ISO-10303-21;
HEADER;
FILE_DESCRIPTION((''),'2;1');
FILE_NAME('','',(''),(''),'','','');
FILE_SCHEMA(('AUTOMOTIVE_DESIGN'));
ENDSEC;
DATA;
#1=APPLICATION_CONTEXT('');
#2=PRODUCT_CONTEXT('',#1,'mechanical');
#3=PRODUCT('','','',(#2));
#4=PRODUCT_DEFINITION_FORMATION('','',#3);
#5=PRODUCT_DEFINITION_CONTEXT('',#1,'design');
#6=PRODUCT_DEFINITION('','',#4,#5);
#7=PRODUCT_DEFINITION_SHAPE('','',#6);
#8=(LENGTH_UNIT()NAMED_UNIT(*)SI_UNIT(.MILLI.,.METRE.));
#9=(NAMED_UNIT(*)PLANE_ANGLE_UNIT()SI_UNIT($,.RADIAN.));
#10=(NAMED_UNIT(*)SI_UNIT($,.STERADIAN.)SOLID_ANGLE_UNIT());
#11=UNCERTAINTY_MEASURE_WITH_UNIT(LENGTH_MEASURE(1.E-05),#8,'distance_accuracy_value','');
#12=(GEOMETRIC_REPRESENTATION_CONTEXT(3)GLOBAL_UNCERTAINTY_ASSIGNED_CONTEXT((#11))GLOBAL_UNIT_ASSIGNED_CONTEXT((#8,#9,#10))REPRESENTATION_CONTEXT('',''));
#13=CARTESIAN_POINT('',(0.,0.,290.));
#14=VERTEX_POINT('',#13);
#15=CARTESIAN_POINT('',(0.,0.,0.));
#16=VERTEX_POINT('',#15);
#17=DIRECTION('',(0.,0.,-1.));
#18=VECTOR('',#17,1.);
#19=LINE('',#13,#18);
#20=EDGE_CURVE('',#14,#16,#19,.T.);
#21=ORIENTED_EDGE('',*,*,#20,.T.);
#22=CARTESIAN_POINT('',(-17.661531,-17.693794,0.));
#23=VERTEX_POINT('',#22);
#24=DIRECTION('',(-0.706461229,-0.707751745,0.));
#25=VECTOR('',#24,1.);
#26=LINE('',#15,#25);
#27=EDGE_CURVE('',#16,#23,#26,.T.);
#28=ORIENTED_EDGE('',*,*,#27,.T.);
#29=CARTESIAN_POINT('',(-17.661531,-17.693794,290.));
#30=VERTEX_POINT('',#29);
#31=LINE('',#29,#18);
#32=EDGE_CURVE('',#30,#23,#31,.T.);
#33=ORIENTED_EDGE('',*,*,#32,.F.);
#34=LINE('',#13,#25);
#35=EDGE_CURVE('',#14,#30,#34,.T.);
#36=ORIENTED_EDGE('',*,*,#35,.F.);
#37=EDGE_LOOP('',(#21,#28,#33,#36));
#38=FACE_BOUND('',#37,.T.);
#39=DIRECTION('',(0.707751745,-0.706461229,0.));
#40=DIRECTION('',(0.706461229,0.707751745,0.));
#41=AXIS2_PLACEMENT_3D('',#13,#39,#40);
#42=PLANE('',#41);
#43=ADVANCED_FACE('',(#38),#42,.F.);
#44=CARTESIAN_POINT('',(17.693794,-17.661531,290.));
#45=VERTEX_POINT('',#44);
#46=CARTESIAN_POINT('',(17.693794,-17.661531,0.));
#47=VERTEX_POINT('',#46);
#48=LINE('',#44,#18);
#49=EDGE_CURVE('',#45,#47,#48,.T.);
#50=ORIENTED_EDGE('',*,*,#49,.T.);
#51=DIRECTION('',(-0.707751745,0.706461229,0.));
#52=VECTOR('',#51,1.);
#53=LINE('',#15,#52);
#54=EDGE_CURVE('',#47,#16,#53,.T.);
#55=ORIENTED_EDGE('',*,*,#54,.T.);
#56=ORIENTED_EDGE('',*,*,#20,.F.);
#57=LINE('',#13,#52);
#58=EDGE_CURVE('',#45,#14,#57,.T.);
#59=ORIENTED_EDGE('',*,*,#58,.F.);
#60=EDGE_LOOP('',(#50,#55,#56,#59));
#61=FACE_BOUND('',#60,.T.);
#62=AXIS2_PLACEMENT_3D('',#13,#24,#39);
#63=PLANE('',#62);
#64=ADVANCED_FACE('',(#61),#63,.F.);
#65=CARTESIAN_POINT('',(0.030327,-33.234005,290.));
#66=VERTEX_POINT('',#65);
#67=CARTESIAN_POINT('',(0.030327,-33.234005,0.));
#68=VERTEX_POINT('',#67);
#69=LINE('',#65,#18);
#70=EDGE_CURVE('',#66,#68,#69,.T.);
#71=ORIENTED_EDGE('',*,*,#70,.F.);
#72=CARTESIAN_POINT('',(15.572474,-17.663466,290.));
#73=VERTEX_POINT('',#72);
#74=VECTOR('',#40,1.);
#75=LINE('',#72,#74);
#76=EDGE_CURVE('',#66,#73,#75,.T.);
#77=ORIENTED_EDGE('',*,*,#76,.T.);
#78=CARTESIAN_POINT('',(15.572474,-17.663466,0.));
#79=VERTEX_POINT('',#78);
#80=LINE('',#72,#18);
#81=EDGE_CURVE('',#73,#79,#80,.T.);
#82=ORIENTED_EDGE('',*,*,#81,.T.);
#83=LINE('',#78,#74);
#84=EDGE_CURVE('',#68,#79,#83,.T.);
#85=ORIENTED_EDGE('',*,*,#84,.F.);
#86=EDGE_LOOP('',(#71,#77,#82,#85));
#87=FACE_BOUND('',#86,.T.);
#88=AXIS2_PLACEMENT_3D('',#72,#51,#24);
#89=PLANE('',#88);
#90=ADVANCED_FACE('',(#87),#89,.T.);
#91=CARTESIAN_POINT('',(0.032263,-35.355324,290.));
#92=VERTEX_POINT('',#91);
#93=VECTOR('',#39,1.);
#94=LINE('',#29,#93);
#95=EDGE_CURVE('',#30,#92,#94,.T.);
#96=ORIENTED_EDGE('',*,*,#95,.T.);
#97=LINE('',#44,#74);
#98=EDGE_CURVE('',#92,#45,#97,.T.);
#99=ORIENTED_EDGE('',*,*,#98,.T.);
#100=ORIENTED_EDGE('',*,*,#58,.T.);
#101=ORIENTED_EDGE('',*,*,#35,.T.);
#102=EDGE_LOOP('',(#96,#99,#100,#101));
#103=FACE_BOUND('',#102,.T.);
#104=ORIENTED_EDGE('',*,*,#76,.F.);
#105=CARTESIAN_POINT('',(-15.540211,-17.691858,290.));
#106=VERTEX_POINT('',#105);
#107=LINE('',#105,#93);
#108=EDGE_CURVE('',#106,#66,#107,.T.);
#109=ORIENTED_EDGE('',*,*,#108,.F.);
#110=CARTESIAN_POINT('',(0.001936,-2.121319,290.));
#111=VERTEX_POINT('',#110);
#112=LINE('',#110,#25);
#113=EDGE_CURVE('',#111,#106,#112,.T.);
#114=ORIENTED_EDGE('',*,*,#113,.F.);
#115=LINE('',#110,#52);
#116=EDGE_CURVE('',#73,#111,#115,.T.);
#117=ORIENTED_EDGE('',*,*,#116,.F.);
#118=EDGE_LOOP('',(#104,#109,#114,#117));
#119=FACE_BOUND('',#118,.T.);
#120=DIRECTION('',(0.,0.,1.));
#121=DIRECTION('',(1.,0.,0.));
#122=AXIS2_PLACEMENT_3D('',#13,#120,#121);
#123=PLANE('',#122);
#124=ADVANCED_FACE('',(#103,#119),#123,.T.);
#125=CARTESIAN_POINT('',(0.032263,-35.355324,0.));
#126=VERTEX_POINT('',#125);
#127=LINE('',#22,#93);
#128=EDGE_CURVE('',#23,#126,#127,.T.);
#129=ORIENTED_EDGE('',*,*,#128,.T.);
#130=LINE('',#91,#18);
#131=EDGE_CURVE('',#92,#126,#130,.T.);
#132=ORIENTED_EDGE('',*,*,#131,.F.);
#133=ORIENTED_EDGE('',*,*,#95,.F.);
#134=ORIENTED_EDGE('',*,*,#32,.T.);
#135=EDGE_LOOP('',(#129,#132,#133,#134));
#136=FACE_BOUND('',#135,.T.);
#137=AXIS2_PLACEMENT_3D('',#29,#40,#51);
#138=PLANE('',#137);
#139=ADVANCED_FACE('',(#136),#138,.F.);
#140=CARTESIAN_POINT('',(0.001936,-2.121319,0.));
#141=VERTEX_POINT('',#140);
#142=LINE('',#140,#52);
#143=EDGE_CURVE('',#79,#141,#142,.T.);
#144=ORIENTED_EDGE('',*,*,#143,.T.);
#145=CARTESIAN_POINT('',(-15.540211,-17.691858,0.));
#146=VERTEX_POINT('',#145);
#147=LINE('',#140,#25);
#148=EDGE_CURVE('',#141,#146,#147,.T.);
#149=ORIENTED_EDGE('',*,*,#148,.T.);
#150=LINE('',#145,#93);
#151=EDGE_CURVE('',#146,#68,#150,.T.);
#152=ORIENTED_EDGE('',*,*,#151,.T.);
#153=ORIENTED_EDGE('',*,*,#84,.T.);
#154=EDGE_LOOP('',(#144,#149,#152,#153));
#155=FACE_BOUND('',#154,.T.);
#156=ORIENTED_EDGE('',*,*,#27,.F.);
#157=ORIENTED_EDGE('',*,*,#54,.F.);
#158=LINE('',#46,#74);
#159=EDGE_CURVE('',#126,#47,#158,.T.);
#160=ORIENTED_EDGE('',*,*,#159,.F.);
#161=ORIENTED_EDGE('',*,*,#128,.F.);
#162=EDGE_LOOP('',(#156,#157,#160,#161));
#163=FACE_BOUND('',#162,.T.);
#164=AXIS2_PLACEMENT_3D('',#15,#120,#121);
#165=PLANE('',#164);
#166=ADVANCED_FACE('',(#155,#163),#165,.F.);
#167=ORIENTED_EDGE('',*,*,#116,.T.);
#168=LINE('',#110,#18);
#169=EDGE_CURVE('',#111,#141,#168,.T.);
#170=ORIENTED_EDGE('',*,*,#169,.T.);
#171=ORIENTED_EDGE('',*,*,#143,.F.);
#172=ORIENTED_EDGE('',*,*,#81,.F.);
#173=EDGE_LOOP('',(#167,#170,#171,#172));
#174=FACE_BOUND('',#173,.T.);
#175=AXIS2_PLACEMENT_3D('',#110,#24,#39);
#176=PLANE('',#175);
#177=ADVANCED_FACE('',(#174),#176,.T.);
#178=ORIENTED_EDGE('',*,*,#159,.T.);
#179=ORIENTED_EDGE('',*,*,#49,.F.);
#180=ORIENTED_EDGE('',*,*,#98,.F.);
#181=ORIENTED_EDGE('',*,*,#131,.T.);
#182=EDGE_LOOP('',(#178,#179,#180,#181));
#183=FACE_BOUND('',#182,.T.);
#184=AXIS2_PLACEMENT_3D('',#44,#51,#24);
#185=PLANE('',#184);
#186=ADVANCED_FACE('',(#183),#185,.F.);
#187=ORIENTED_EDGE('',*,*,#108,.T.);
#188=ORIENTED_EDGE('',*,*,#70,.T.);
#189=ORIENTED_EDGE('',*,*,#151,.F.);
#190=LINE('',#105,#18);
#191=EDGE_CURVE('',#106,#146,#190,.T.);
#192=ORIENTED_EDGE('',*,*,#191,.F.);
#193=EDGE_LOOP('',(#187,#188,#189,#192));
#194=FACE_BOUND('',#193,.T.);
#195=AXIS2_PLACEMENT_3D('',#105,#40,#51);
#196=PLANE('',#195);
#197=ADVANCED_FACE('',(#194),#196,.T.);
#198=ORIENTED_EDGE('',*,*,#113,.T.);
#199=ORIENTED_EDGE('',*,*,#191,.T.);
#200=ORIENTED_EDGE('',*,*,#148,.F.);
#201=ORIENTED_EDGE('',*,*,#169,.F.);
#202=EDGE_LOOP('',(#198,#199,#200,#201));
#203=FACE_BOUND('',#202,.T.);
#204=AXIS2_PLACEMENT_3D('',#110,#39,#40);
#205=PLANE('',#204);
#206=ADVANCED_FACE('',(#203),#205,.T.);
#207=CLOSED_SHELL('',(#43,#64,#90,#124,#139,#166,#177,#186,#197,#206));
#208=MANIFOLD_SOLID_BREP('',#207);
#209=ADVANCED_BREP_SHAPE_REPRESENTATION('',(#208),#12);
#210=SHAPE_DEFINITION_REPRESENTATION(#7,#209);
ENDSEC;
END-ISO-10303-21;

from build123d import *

# Parameters (mm, degrees)
EXTRUDE_1_DEPTH = 290


with BuildPart() as part:
    # 草圖1 → 填料-伸長1 (new body)
    with BuildSketch(Plane.XY):
        Polygon((0, 0), (17.69379362, -17.661530719), (0.032262901, -35.355324339), (-17.661530719, -17.69379362), align=None)
        Polygon((0.001935774, -2.12131946), (-15.540211259, -17.691857846), (0.030327127, -33.234004879), (15.57247416, -17.663466493), align=None, mode=Mode.SUBTRACT)
    extrude(amount=EXTRUDE_1_DEPTH)


solid = part.part
